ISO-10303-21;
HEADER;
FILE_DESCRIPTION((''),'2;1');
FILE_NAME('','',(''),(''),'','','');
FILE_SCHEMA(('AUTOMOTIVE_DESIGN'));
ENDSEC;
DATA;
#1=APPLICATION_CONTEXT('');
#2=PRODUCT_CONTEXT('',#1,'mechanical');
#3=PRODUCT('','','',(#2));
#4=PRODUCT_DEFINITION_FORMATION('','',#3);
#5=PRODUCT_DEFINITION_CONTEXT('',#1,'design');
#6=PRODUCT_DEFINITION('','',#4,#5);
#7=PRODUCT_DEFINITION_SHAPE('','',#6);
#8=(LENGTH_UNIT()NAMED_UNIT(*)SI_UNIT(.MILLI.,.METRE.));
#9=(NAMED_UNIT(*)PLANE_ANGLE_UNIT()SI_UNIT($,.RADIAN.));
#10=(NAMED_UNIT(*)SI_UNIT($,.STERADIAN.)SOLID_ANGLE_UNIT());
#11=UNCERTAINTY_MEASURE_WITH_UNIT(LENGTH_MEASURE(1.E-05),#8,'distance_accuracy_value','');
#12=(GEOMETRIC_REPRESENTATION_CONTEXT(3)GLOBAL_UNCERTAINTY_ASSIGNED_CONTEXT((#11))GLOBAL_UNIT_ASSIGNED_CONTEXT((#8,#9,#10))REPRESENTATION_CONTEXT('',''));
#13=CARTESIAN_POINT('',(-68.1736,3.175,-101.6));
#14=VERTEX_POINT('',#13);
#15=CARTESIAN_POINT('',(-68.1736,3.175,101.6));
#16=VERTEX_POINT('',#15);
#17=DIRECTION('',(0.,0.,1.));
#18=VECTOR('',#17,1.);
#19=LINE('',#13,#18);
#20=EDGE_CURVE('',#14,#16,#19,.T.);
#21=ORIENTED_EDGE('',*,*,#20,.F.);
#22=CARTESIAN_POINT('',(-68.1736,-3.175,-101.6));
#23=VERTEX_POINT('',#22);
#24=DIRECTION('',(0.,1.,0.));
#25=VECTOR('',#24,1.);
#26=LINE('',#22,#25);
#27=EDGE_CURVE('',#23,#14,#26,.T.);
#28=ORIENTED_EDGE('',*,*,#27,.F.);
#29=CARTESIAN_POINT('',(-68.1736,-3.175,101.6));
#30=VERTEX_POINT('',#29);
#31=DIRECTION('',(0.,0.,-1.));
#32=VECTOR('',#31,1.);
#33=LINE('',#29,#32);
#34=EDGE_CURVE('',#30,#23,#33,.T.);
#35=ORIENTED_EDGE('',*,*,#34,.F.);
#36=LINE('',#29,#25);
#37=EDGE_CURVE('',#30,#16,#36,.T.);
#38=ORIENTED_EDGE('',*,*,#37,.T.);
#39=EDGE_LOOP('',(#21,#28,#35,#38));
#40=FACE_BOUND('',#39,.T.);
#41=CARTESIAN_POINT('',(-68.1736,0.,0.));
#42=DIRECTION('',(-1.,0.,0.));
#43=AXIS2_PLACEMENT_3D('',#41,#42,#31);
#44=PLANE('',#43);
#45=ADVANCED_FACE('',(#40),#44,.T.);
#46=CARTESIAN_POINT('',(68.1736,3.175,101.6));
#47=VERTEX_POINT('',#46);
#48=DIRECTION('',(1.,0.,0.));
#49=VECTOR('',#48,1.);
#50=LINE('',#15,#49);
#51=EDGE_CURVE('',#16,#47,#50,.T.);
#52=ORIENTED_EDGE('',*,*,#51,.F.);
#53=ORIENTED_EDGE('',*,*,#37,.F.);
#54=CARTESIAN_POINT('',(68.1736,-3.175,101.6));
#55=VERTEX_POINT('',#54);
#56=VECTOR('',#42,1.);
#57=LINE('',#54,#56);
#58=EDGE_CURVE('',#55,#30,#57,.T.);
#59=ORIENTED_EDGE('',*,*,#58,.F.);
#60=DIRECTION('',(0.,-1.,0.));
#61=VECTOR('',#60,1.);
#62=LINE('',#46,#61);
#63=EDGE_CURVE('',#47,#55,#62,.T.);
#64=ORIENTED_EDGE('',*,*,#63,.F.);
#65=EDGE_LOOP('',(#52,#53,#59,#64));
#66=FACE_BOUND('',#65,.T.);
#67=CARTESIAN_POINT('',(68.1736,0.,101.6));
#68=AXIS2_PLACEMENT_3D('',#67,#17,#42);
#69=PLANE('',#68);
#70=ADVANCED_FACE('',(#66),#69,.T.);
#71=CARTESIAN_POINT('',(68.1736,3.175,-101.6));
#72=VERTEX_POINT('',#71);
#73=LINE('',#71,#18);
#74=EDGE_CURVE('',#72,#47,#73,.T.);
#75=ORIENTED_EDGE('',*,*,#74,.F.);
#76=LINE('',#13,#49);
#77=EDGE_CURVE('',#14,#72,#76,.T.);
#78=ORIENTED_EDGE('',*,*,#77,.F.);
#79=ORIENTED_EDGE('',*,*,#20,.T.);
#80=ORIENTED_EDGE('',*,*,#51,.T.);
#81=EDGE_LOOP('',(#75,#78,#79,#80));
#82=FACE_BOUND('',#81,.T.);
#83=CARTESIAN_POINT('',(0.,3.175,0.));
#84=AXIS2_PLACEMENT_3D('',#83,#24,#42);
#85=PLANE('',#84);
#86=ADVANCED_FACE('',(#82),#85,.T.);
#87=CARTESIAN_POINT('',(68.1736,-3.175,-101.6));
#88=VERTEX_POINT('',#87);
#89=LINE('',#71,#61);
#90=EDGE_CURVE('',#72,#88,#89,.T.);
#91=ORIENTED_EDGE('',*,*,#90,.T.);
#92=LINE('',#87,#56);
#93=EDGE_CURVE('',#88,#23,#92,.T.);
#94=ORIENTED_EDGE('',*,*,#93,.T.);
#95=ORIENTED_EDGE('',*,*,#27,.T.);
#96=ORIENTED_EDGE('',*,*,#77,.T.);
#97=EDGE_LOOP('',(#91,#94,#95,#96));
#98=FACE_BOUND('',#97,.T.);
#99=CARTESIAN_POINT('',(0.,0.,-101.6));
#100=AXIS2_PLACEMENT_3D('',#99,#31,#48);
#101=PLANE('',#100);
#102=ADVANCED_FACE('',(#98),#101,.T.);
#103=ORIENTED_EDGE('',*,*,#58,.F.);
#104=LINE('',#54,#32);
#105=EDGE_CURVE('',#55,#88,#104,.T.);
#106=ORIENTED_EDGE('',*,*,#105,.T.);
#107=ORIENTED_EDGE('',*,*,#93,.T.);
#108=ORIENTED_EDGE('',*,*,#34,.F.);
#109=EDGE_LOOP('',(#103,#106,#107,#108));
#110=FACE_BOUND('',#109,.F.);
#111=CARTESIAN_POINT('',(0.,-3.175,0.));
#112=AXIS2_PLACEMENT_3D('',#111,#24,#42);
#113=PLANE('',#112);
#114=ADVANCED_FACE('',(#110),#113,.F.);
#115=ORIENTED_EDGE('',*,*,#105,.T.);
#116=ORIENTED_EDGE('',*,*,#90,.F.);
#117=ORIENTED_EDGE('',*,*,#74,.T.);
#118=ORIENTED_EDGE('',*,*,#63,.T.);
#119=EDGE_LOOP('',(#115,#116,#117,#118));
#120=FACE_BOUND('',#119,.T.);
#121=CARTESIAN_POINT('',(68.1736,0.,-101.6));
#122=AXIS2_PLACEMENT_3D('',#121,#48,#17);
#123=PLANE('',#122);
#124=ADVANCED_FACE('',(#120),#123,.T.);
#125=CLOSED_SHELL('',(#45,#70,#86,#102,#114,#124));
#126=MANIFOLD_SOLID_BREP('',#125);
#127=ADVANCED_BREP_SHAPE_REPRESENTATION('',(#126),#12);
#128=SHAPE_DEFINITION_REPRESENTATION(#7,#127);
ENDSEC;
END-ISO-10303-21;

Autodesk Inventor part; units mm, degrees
ref_plane "YZ Plane" through (0, 0, 0) normal (1, 0, 0) x (0, 1, 0)
ref_plane "XZ Plane" through (0, 0, 0) normal (0, 1, 0) x (-1, 0, 0)
ref_plane "XY Plane" through (0, 0, 0) normal (0, 0, 1) x (1, 0, 0)
sketch "Sketch1" plane through (0, 0, 0) normal (0, 1, 0) x (-1, 0, 0)
  line L0 (0, -142.24) -> (0, 142.24) projected
  line L1 (-95.443, 0) -> (95.443, 0) projected
  line L2 (-68.1736, 101.6) -> (68.1736, 101.6)
  line L3 (68.1736, 101.6) -> (68.1736, -101.6)
  line L4 (68.1736, -101.6) -> (-68.1736, -101.6)
  line L5 (-68.1736, -101.6) -> (-68.1736, 101.6)
  point P0 (0, 0)
  dimension "d0" = 136.3472
  dimension "d1" = 203.2
extrude "Extrusion1" add sketch "Sketch1" along normal mid plane 6.35
properties part number "MLMCMR"
